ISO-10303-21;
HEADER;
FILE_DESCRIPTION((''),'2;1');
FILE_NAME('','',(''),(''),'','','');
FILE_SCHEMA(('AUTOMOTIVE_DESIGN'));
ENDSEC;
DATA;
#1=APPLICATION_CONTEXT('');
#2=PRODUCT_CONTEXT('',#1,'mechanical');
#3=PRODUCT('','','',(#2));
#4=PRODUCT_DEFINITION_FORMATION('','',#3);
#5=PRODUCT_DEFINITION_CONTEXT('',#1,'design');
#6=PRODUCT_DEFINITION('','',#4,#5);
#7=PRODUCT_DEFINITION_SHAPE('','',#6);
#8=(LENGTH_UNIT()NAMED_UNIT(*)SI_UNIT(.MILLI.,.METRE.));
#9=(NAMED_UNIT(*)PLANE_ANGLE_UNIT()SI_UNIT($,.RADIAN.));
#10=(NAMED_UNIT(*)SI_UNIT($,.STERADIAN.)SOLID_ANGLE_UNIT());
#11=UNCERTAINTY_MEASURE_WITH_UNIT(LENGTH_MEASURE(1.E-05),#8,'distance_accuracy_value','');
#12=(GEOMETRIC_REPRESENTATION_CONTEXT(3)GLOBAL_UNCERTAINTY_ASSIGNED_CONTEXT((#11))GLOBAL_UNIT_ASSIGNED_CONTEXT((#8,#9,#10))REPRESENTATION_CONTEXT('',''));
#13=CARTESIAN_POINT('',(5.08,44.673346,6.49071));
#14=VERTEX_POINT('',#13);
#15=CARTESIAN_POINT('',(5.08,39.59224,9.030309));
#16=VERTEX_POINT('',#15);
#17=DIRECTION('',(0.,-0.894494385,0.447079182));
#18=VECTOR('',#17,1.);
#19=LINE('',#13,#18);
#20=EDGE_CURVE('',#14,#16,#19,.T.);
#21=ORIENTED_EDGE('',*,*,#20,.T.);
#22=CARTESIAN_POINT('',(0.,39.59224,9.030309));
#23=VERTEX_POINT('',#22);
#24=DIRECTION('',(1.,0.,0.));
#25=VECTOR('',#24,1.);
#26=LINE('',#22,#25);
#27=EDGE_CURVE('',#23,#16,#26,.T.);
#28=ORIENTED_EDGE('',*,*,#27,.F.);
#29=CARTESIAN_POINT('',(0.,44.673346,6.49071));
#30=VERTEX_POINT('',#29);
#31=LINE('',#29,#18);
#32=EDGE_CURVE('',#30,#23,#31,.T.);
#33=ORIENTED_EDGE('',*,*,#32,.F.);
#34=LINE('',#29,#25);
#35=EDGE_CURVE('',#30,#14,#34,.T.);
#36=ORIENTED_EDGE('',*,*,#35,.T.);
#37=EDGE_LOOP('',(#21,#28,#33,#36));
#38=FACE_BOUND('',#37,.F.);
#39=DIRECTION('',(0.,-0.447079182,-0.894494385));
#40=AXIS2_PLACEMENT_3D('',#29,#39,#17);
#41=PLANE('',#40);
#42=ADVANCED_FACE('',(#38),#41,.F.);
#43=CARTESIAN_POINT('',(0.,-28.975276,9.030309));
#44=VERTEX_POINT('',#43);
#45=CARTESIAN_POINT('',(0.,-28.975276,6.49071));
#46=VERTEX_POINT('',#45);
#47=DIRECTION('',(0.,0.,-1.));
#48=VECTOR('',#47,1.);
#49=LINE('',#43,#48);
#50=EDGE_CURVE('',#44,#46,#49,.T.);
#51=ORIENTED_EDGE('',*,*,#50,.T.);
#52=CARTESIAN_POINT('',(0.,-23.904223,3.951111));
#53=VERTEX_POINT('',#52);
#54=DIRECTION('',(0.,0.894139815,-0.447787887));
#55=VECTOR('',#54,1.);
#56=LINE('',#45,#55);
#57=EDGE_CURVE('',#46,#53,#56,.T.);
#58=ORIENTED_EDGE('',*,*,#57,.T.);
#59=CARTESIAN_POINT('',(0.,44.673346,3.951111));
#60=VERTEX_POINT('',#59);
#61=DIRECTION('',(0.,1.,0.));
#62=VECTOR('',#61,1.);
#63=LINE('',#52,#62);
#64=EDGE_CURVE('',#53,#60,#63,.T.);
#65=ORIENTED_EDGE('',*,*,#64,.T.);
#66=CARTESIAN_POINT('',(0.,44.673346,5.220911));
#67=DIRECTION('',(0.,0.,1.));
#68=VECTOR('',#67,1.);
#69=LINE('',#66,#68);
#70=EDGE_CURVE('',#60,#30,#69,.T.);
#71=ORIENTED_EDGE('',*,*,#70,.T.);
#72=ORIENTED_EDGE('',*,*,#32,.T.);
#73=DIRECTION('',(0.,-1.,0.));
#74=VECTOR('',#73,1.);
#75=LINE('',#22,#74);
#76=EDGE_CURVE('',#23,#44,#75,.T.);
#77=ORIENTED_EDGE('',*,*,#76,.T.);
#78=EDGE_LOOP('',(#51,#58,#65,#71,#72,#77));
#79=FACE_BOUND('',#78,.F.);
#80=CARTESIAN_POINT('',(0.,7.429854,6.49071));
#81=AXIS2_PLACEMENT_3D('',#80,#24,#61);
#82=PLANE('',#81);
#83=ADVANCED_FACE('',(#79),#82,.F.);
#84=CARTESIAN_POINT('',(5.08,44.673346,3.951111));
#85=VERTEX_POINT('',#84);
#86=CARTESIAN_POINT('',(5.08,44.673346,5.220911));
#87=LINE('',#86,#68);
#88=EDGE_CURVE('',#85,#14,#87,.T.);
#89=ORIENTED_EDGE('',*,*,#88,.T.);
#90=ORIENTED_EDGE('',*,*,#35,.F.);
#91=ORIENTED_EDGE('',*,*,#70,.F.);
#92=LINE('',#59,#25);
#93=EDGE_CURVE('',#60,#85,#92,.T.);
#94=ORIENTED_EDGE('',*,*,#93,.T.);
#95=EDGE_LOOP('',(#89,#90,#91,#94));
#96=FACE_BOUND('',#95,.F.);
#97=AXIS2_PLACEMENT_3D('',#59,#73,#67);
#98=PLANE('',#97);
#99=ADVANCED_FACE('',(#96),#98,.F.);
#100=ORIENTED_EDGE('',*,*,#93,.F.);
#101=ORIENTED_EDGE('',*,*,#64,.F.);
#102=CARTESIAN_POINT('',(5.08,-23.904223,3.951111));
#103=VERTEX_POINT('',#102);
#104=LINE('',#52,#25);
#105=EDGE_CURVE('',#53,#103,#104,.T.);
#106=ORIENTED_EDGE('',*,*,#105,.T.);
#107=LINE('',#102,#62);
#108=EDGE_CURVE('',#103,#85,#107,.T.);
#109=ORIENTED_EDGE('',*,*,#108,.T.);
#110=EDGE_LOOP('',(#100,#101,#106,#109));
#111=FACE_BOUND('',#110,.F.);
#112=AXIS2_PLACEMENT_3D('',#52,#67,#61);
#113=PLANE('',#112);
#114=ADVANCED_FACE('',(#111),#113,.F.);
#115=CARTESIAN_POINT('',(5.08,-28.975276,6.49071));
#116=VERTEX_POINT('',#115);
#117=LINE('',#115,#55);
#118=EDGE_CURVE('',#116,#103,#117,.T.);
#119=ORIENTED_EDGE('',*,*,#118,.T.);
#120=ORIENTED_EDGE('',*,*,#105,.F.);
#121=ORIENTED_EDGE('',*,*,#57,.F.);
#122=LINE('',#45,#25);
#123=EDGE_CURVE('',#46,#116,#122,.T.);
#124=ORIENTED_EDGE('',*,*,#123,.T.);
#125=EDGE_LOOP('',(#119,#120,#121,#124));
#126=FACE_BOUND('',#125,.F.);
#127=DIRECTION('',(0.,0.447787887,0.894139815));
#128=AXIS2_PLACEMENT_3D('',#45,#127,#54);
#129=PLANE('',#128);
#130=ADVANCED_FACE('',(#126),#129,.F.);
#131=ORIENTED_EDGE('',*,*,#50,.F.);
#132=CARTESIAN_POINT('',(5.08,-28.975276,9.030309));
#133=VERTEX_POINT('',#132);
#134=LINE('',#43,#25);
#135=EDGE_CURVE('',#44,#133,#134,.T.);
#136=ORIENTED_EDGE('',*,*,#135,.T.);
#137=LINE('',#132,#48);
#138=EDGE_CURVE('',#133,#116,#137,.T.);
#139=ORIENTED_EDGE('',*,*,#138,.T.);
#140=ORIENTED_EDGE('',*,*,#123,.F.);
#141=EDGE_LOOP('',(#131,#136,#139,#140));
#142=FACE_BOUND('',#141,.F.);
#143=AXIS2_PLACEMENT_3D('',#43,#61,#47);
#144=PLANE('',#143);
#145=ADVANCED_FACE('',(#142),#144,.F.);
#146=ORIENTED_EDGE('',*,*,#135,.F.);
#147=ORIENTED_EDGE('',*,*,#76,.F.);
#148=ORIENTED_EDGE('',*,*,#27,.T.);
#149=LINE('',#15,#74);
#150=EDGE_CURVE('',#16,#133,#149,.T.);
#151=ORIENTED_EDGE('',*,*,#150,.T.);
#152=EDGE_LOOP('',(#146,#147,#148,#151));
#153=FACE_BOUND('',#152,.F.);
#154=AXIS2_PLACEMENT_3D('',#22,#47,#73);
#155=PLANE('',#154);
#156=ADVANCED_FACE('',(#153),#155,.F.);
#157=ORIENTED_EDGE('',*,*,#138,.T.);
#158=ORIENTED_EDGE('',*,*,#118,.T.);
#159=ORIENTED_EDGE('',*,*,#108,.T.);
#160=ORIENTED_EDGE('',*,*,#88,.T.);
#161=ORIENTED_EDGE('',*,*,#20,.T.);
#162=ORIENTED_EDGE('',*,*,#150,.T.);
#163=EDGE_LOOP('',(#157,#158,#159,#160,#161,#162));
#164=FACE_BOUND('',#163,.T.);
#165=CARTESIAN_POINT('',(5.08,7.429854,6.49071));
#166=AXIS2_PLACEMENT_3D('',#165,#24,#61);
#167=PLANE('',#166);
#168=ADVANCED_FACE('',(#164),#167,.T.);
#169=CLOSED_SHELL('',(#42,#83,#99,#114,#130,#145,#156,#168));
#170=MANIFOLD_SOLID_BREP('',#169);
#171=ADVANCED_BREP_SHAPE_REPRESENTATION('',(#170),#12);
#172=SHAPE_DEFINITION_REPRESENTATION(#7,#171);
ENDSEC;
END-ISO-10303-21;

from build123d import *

# Parameters (mm, degrees)
F0_W     = 5.0811059773
F0_H     = 2.5395986158
F1_DEPTH = 5.08
F2_DEPTH = 5.08


with BuildPart() as f1:
    # F0 (on Right) → F1 (new body)
    with BuildSketch(Plane.YZ):
        Polygon((-21.3646243792, 6.4907099586), (-23.904222995, 3.9511113428), (39.5922400057, 3.9511113428), (39.5922400057, 6.4907099586), (39.5922400057, 9.0303085744), (-23.904222995, 9.0303085744), align=None)
        Polygon((-26.4438216109, 6.4907099586), (-23.904222995, 3.9511113428), (-23.904222995, 6.4907099586), align=None)
        Polygon((-28.9752762765, 6.4907099586), (-23.904222995, 3.9511113428), (-26.4438216109, 6.4907099586), align=None)
        Polygon((-23.904222995, 6.4907099586), (-23.904222995, 3.9511113428), (-21.3646243792, 6.4907099586), (-23.904222995, 9.0303085744), align=None)
        with Locations((42.1327929944, 5.2209106507)):
            Rectangle(F0_W, F0_H)
        Polygon((-26.4438216109, 6.4907099586), (-23.904222995, 6.4907099586), (-23.904222995, 9.0303085744), align=None)
        Polygon((-28.9752762765, 6.4907099586), (-26.4438216109, 6.4907099586), (-23.904222995, 9.0303085744), (-28.9752762765, 9.0303085744), align=None)
        Polygon((39.5922400057, 9.0303085744), (39.5922400057, 6.4907099586), (44.673345983, 6.4907099586), align=None)
    extrude(amount=F1_DEPTH)

    # F0 (on Right) → F2 (join)
    with BuildSketch(Plane.YZ):
        Polygon((-21.3646243792, 6.4907099586), (-23.904222995, 3.9511113428), (39.5922400057, 3.9511113428), (39.5922400057, 6.4907099586), (39.5922400057, 9.0303085744), (-23.904222995, 9.0303085744), align=None)
        Polygon((-26.4438216109, 6.4907099586), (-23.904222995, 3.9511113428), (-23.904222995, 6.4907099586), align=None)
        Polygon((-28.9752762765, 6.4907099586), (-23.904222995, 3.9511113428), (-26.4438216109, 6.4907099586), align=None)
        Polygon((-23.904222995, 6.4907099586), (-23.904222995, 3.9511113428), (-21.3646243792, 6.4907099586), (-23.904222995, 9.0303085744), align=None)
        with Locations((42.1327929944, 5.2209106507)):
            Rectangle(F0_W, F0_H)
        Polygon((-26.4438216109, 6.4907099586), (-23.904222995, 6.4907099586), (-23.904222995, 9.0303085744), align=None)
        Polygon((-28.9752762765, 6.4907099586), (-26.4438216109, 6.4907099586), (-23.904222995, 9.0303085744), (-28.9752762765, 9.0303085744), align=None)
        Polygon((39.5922400057, 9.0303085744), (39.5922400057, 6.4907099586), (44.673345983, 6.4907099586), align=None)
    extrude(amount=F2_DEPTH)


solid = f1.part
